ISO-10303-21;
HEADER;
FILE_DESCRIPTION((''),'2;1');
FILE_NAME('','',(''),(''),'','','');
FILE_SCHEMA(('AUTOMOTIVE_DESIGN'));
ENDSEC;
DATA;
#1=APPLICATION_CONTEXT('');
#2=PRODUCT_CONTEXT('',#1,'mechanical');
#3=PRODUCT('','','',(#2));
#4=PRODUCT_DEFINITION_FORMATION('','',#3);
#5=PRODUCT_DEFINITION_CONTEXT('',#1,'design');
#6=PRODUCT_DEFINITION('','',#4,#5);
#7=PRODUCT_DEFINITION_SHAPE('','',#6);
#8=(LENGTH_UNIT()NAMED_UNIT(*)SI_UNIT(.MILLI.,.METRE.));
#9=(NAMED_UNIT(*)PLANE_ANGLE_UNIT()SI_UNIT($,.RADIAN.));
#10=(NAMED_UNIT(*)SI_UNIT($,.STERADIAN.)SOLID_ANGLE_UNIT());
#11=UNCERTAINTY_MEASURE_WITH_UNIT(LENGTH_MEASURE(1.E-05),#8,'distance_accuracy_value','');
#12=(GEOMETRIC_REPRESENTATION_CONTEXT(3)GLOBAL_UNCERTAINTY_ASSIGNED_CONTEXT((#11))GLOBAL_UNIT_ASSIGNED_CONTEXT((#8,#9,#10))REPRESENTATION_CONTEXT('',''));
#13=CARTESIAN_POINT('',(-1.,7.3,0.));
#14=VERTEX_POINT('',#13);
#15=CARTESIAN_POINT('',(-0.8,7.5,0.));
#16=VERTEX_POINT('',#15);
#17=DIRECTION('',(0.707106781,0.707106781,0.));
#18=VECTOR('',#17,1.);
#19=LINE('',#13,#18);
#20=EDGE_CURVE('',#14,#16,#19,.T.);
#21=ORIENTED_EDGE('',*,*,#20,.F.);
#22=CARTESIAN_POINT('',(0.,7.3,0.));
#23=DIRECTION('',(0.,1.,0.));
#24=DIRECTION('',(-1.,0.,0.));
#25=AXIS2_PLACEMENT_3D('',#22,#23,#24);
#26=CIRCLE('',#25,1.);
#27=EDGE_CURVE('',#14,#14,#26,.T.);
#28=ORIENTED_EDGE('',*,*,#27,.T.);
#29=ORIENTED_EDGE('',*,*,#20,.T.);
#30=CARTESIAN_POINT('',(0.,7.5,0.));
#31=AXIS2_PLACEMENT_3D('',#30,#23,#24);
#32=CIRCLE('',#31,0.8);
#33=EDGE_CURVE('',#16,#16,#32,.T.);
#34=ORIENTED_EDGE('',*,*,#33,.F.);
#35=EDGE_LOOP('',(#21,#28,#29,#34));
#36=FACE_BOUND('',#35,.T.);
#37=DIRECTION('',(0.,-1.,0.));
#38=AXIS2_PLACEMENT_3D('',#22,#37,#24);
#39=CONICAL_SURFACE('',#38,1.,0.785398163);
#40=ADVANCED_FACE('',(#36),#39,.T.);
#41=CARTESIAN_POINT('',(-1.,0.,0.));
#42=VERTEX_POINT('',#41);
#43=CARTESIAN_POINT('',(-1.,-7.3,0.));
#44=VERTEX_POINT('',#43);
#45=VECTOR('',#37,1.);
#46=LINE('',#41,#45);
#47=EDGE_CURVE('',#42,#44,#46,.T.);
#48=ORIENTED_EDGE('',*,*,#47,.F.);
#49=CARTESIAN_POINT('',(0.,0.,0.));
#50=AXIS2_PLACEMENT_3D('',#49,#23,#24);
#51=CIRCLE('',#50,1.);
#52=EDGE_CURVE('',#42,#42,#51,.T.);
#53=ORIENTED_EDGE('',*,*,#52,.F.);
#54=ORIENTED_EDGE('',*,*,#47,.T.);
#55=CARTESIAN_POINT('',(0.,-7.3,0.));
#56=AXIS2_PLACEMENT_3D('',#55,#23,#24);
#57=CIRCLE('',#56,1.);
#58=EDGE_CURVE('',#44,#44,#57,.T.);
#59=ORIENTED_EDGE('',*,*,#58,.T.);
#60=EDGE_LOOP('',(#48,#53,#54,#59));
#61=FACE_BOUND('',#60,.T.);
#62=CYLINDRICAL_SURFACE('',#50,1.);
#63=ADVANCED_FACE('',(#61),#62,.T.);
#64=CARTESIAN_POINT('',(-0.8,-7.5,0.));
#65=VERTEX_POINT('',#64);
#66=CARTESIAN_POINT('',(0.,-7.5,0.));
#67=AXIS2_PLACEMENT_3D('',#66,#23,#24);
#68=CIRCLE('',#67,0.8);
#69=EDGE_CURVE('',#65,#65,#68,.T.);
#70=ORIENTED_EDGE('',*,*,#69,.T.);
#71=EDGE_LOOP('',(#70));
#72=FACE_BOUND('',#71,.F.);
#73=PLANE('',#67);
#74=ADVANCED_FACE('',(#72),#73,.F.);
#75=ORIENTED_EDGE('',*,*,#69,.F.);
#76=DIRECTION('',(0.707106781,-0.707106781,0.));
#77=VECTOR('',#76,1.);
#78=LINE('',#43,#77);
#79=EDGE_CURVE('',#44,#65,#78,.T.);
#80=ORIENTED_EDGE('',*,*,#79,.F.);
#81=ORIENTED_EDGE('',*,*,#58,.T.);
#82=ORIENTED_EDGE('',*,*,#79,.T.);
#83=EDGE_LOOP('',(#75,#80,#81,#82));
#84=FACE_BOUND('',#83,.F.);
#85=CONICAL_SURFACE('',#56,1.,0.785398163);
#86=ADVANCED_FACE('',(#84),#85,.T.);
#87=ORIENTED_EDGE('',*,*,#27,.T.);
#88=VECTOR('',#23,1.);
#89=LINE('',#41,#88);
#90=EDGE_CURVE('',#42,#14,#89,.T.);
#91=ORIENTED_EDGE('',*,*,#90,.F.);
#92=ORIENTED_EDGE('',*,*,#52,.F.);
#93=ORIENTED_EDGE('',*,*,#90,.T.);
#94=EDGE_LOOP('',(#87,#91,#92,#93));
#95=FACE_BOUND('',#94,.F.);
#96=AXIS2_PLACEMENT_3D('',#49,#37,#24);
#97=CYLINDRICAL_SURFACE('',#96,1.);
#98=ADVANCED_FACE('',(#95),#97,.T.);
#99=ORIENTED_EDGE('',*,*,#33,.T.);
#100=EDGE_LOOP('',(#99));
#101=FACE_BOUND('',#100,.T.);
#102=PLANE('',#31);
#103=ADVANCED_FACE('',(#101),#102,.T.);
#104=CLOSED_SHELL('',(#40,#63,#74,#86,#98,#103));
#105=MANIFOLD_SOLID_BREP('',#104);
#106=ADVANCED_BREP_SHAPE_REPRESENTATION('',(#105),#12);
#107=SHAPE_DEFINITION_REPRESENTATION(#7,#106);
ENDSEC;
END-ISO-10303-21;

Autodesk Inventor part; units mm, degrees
ref_plane "YZ Plane" through (0, 0, 0) normal (1, 0, 0) x (0, 1, 0)
ref_plane "XZ Plane" through (0, 0, 0) normal (0, 1, 0) x (-1, 0, 0)
ref_plane "XY Plane" through (0, 0, 0) normal (0, 0, 1) x (1, 0, 0)
sketch "スケッチ1" plane through (0, 0, 0) normal (0, 1, 0) x (-1, 0, 0)
  circle A0 centre (0, 0) radius 1
  dimension "d0" = 2
extrude "押し出し1" add sketch "スケッチ1" along normal mid plane 15
chamfer "面取り1" distance 0.2 angle 45 2 edges at (1, 7.5, 0) (1, -7.5, 0)
properties part number "pin_2x15" material "鋼"
